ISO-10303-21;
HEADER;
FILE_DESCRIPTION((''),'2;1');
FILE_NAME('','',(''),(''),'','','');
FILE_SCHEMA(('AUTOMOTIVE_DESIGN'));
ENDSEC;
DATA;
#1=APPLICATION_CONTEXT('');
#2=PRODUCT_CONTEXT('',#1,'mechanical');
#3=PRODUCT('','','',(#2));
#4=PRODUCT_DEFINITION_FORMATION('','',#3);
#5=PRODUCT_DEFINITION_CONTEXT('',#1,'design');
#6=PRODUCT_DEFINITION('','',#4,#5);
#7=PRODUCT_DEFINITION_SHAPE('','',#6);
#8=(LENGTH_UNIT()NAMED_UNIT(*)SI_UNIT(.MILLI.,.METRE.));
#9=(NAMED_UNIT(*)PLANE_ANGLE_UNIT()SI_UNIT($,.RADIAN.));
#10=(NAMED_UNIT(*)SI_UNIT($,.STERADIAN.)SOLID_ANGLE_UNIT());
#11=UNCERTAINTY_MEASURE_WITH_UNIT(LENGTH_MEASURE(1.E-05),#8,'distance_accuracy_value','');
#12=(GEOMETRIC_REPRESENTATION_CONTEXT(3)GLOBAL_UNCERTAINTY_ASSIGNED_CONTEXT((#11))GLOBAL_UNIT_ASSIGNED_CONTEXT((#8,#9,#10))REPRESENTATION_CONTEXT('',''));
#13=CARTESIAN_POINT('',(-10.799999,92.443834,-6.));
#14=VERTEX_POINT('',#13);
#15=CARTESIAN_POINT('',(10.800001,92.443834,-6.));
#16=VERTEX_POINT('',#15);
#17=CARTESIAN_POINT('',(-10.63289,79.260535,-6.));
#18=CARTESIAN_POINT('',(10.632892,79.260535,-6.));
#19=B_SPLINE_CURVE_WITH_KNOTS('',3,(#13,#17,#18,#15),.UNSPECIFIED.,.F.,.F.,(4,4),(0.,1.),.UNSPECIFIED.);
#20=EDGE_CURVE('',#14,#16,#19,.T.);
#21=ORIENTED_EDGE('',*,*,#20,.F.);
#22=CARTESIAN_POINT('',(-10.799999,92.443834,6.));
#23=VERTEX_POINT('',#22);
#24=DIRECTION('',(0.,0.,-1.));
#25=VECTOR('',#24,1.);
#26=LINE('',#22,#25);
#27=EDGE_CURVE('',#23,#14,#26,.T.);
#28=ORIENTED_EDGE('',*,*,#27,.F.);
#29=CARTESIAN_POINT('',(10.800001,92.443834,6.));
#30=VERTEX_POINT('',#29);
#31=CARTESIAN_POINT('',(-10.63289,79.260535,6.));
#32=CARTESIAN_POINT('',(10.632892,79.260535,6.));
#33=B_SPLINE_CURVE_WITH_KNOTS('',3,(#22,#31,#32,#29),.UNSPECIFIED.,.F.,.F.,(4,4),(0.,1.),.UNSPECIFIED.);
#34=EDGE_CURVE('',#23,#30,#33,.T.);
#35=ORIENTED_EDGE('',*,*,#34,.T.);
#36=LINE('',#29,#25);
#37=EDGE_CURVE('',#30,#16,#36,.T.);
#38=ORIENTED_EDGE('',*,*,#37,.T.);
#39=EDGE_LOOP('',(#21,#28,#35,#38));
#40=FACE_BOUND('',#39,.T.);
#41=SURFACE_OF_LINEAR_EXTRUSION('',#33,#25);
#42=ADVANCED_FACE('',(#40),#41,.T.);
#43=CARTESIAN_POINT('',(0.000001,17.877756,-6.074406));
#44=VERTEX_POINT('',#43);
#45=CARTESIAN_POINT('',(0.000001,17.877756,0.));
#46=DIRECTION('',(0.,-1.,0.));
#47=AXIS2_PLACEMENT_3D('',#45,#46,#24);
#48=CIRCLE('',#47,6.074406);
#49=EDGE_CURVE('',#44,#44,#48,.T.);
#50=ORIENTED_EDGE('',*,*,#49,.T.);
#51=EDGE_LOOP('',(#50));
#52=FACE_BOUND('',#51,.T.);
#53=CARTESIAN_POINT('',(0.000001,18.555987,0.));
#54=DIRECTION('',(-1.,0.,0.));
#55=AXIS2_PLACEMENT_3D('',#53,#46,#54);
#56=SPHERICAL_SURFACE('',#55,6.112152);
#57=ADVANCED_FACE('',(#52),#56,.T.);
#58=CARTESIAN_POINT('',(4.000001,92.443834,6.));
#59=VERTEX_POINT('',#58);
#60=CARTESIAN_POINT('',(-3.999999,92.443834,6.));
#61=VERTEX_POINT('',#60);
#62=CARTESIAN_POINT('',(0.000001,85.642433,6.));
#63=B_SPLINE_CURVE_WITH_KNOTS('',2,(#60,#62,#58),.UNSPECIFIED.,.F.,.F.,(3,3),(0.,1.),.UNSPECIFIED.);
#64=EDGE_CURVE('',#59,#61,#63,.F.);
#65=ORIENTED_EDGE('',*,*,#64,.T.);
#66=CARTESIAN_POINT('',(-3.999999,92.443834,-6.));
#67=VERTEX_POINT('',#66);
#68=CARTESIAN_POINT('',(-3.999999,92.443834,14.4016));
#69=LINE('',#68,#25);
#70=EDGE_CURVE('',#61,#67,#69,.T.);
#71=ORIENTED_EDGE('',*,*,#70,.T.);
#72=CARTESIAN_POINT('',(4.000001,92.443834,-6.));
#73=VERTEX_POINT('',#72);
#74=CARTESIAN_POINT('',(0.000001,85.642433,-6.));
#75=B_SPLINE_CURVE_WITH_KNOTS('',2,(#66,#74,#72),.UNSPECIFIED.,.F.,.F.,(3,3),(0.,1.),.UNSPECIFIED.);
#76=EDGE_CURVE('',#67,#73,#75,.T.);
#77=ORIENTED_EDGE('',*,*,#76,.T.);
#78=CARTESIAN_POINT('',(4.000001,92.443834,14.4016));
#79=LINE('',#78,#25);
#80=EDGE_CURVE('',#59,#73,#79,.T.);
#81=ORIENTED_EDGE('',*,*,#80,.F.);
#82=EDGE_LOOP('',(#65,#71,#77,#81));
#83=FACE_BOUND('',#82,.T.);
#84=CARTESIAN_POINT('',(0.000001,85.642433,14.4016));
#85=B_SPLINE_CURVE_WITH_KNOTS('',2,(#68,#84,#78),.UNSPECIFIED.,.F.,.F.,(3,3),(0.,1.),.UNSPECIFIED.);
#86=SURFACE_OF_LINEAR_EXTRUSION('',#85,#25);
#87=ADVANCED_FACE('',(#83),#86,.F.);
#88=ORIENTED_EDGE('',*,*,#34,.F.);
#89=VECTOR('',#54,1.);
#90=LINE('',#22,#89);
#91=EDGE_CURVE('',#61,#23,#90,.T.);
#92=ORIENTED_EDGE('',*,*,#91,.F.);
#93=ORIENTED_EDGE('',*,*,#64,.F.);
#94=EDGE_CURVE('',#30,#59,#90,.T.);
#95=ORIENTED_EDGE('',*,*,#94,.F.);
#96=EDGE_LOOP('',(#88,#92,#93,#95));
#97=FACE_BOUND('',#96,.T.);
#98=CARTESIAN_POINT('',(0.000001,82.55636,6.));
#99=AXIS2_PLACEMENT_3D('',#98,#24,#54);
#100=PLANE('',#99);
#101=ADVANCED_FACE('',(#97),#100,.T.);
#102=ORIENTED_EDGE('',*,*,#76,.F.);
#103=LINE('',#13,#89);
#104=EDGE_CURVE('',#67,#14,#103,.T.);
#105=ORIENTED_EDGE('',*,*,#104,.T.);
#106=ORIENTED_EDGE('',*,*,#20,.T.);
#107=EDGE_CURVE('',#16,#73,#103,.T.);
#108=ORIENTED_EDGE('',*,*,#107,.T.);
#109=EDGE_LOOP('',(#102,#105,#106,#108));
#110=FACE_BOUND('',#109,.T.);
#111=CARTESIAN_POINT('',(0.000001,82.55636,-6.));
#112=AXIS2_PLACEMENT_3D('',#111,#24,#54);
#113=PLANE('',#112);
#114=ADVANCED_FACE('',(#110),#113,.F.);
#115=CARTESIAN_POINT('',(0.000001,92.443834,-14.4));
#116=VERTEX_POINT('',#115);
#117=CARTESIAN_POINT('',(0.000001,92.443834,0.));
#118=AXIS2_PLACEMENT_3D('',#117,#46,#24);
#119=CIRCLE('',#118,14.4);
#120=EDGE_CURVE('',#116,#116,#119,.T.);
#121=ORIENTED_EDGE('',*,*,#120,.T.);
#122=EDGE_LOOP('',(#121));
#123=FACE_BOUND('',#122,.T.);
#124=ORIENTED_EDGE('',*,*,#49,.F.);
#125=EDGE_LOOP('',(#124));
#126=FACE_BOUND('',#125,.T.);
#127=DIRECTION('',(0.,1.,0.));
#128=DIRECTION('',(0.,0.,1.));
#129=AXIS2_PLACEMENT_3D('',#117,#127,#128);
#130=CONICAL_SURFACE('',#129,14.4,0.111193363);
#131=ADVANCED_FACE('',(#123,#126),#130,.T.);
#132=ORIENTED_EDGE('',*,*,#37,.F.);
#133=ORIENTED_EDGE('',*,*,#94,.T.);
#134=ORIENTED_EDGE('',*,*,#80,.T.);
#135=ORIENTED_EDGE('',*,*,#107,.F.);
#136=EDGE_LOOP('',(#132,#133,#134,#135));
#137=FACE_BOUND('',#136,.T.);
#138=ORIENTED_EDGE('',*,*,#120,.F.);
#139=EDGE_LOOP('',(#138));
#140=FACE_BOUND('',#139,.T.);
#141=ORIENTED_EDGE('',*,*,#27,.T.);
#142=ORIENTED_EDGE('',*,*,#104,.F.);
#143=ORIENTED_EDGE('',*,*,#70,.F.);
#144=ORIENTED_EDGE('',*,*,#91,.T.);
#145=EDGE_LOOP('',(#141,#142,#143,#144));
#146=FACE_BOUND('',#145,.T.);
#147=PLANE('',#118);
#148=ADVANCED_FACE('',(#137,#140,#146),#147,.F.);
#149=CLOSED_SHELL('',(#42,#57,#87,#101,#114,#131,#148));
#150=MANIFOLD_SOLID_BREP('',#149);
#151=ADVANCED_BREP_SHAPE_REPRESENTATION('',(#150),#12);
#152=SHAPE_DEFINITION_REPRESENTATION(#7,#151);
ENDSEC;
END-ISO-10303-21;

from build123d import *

# Parameters (mm, degrees)
ENL_V_MAT_EXTRU_1_DEPTH      = 7.5
ENL_V_MAT_EXTRU_1_DEPTH_BACK = 7.5
BOSS_EXTRU_1_REACH           = 27.5
ECHELLE1_SCALE               = 0.8


with BuildPart() as part:
    # Esquisse1 → R_volution1 (revolve)
    with BuildSketch(Plane.XY):
        with BuildLine():
            Line((0, 0), (0, 100))
            Line((0, 100), (-18, 100))
            Line((-18, 100), (-7.593007693, 6.792401612))
            ThreePointArc((-7.593007693, 6.792401612), (-5.093880777, 1.945904787), (0, 0))
        make_face()
    revolve(axis=Axis((0, 0, 0), (0, 1, 0)))

    # Esquisse2 → Enl_v. mat.-Extru.1 (cut, two sides)
    with BuildSketch(Plane.XY) as enl_v_mat_extru_1_sk:
        with BuildLine():
            Line((-13.5, 100), (13.5, 100))
            add(Edge.make_bspline(
                [(-13.5, 100), (-13.291113541, 83.520875666), (13.291113541, 83.520875666), (13.5, 100)],
                knots=[0, 0, 0, 0, 1, 1, 1, 1], degree=3))
        make_face()
    extrude(amount=ENL_V_MAT_EXTRU_1_DEPTH, mode=Mode.SUBTRACT)
    extrude(enl_v_mat_extru_1_sk.sketch, amount=-ENL_V_MAT_EXTRU_1_DEPTH_BACK, mode=Mode.SUBTRACT)

    # Esquisse3 → Boss.-Extru.1 (add, up to next)
    with BuildSketch(Plane.XY.offset(-7.5), mode=Mode.PRIVATE) as boss_extru_1_sk1:
        with BuildLine():
            Line((-5, 100), (5, 100))
            add(Edge.make_bspline(
                [(-5, 100), (0, 91.498247822), (5, 100)],
                knots=[0, 0, 0, 1, 1, 1], degree=2))
        make_face()
    boss_extru_1_tool1 = extrude(boss_extru_1_sk1.sketch, amount=BOSS_EXTRU_1_REACH, mode=Mode.PRIVATE) - part.part
    add(boss_extru_1_tool1.solids().sort_by_distance((0, 98.29965, -7.5))[0])


with BuildPart() as part_1:
    # Echelle1: scaled about (-4e-09, 62.219241992, 3e-09)
    add(part.part.scale(ECHELLE1_SCALE).moved(Location((-1e-09, 12.443848398, 1e-09))))


solid = part_1.part
